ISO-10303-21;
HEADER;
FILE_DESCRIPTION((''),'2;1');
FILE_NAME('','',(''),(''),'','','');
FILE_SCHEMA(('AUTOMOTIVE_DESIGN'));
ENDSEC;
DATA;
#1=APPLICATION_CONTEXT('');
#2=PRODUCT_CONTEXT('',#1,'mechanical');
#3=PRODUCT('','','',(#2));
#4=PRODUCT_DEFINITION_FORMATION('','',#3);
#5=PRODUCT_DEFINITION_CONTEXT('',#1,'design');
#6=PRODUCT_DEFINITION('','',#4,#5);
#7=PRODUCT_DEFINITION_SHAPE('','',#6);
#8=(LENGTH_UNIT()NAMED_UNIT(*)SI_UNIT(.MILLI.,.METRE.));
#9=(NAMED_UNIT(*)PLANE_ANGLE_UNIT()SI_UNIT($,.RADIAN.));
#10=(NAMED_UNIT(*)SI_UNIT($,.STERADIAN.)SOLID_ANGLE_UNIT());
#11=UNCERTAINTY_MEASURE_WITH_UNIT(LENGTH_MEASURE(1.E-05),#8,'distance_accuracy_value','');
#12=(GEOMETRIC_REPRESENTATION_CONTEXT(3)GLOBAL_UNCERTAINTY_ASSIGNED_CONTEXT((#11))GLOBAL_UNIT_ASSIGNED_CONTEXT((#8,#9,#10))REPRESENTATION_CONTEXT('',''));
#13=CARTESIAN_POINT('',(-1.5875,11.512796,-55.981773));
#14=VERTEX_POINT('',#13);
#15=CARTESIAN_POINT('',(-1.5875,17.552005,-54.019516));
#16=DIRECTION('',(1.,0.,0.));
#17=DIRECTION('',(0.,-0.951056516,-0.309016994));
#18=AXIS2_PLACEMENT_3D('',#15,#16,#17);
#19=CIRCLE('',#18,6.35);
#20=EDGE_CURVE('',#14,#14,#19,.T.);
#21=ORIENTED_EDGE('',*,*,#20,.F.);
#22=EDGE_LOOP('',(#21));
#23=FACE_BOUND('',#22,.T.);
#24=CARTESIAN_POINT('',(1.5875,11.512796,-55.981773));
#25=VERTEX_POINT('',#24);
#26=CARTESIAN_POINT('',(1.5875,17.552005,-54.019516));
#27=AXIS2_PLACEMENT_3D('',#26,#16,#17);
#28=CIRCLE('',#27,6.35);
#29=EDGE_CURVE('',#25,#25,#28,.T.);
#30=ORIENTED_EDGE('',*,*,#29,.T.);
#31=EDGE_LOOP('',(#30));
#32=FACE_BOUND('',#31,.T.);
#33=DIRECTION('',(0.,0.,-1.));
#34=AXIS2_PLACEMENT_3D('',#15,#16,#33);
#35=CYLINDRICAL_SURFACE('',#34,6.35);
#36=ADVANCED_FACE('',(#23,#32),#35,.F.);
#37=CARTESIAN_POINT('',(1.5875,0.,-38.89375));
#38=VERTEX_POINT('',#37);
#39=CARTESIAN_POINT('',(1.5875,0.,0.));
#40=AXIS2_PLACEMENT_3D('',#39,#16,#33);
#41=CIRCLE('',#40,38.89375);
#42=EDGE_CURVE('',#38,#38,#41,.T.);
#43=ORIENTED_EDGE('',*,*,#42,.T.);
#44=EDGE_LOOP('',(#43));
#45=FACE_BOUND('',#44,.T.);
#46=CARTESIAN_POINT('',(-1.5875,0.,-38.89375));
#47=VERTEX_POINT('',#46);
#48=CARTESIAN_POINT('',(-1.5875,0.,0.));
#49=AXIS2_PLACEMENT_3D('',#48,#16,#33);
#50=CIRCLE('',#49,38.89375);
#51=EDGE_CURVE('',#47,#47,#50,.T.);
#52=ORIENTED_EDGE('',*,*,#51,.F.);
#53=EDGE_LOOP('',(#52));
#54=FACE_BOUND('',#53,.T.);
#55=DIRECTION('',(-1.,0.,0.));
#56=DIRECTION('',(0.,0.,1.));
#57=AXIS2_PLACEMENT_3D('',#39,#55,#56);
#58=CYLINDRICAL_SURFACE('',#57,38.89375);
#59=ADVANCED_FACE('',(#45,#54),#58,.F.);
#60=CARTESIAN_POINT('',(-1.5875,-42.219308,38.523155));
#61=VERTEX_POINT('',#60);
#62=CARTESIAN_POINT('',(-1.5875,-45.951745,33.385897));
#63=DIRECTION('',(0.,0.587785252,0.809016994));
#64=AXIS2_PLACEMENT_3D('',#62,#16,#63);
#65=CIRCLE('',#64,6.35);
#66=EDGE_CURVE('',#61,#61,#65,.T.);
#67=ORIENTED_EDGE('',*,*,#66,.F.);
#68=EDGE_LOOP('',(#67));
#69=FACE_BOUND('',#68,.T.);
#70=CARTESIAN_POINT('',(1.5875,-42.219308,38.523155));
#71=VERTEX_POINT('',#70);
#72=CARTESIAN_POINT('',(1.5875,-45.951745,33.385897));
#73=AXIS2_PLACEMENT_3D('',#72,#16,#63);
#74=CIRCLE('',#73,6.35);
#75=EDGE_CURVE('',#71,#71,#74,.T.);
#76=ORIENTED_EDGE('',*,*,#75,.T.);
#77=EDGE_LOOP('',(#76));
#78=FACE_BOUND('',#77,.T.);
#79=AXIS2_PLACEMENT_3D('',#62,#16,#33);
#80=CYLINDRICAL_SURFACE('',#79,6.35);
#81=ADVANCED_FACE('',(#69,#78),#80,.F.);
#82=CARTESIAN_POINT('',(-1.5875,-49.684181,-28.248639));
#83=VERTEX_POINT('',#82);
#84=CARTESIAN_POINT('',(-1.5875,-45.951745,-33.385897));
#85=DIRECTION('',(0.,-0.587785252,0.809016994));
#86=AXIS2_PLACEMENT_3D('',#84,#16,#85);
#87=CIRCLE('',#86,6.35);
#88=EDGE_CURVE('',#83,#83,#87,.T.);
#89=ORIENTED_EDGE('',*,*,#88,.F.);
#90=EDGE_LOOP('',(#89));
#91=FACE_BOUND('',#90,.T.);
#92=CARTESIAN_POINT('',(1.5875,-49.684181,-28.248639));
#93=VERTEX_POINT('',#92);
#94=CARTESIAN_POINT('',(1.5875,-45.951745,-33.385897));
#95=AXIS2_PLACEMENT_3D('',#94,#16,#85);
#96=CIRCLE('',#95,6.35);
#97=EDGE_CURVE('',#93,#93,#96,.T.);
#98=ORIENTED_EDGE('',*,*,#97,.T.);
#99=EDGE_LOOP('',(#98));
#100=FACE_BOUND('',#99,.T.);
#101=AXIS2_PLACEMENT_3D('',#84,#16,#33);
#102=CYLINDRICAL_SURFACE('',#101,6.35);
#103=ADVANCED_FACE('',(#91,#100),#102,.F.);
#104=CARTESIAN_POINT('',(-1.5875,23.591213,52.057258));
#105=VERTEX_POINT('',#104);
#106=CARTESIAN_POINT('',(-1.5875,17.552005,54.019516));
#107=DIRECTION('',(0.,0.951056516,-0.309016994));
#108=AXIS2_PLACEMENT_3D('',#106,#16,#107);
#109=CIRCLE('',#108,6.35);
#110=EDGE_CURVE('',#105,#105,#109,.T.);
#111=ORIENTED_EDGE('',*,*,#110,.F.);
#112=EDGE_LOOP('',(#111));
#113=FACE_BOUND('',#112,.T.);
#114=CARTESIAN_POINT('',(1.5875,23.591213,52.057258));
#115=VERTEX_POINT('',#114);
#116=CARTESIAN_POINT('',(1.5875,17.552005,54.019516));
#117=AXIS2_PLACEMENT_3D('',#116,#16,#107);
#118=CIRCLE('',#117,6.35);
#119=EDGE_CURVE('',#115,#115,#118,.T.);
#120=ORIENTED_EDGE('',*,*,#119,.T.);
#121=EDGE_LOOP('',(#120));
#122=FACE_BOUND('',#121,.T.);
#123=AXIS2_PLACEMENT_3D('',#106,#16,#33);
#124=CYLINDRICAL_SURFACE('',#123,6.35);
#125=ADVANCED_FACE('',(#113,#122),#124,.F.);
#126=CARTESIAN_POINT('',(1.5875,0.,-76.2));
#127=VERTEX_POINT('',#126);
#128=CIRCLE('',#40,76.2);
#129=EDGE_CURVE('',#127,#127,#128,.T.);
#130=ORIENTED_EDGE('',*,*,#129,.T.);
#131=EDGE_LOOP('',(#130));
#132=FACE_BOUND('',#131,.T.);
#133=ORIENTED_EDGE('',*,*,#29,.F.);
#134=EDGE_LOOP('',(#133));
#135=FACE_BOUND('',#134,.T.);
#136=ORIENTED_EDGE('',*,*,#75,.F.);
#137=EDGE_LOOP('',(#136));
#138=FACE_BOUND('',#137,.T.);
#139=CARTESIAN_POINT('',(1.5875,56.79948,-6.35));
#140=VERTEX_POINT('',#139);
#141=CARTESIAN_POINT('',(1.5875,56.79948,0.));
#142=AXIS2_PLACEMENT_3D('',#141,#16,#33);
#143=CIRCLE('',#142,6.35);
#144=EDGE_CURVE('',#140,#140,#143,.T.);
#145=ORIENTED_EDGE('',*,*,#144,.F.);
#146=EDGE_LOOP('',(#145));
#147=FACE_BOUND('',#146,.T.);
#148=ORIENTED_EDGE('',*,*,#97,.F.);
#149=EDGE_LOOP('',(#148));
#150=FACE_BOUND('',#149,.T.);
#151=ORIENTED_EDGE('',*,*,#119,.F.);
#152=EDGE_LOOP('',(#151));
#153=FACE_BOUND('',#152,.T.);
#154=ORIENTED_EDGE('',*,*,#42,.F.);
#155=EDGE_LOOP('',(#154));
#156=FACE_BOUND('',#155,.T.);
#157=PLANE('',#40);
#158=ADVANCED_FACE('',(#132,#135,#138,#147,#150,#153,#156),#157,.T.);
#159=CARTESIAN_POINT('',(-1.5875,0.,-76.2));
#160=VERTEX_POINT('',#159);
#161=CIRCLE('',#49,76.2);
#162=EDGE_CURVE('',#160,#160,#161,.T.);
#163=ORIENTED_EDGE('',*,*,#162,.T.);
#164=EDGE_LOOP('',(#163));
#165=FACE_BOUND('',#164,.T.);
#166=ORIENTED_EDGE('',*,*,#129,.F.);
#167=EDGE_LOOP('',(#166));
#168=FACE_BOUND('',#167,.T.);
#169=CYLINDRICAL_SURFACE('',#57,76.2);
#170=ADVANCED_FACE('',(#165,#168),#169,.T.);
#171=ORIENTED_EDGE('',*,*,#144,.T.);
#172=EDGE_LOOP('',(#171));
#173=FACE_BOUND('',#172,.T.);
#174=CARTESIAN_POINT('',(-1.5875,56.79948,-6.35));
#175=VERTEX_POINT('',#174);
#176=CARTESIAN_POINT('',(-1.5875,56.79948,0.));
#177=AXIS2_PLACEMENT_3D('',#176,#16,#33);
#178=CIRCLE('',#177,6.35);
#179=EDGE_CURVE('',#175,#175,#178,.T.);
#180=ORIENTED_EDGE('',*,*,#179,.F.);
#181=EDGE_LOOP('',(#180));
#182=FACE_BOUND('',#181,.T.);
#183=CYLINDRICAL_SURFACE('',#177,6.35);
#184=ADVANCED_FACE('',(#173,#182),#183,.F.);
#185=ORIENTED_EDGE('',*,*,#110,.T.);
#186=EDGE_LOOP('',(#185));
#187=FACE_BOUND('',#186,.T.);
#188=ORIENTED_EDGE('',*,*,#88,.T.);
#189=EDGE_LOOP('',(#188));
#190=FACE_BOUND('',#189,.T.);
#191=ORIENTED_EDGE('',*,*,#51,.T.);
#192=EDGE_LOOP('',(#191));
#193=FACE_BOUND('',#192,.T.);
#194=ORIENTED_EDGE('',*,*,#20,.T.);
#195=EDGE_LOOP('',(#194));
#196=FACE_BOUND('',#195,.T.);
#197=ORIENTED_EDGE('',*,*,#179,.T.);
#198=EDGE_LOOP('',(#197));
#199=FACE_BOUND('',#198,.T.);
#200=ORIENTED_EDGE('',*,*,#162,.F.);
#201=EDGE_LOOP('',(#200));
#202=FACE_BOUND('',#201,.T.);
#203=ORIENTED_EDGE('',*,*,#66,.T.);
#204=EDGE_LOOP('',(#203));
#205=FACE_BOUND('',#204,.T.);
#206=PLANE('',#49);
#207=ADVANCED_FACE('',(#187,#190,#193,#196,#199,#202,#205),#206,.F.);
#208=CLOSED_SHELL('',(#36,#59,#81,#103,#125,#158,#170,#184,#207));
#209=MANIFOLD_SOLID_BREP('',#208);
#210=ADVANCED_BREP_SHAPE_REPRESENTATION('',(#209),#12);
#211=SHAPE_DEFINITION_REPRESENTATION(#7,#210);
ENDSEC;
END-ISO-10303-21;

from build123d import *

# Parameters (mm, degrees)
SKETCH1_R           = 76.2
SKETCH1_R_2         = 38.89375
BOSS_EXTRUDE1_DEPTH = 1.5875
SKETCH3_R           = 6.35
CUT_EXTRUDE1_DEPTH  = 108.809835474
CIRPATTERN1_COUNT   = 5


with BuildPart() as part:
    # Sketch1 → Boss-Extrude1 (new, symmetric)
    with BuildSketch(Plane(origin=(0, 0, 0), x_dir=(0, 0, -1), z_dir=(1, 0, 0))):
        Circle(SKETCH1_R)
        Circle(SKETCH1_R_2, mode=Mode.SUBTRACT)
    extrude(amount=BOSS_EXTRUDE1_DEPTH, both=True)

    # Sketch3 → Cut-Extrude1 (cut, through all)
    with BuildSketch(Plane(origin=(1.5875, 0, 0), x_dir=(0, 0, -1), z_dir=(1, 0, 0))):
        with Locations((0, 56.79948)):
            Circle(SKETCH3_R)
    cut_extrude1 = extrude(amount=-CUT_EXTRUDE1_DEPTH, mode=Mode.SUBTRACT)

    # CirPattern1: Cut-Extrude1 ×5 about axis
    cirpattern1_axis = Axis((-1.74625, 0, 0), (1, 0, 0))
    for i in range(1, CIRPATTERN1_COUNT):
        add(cut_extrude1.rotate(cirpattern1_axis, i * 360 / CIRPATTERN1_COUNT), mode=Mode.SUBTRACT)


solid = part.part
